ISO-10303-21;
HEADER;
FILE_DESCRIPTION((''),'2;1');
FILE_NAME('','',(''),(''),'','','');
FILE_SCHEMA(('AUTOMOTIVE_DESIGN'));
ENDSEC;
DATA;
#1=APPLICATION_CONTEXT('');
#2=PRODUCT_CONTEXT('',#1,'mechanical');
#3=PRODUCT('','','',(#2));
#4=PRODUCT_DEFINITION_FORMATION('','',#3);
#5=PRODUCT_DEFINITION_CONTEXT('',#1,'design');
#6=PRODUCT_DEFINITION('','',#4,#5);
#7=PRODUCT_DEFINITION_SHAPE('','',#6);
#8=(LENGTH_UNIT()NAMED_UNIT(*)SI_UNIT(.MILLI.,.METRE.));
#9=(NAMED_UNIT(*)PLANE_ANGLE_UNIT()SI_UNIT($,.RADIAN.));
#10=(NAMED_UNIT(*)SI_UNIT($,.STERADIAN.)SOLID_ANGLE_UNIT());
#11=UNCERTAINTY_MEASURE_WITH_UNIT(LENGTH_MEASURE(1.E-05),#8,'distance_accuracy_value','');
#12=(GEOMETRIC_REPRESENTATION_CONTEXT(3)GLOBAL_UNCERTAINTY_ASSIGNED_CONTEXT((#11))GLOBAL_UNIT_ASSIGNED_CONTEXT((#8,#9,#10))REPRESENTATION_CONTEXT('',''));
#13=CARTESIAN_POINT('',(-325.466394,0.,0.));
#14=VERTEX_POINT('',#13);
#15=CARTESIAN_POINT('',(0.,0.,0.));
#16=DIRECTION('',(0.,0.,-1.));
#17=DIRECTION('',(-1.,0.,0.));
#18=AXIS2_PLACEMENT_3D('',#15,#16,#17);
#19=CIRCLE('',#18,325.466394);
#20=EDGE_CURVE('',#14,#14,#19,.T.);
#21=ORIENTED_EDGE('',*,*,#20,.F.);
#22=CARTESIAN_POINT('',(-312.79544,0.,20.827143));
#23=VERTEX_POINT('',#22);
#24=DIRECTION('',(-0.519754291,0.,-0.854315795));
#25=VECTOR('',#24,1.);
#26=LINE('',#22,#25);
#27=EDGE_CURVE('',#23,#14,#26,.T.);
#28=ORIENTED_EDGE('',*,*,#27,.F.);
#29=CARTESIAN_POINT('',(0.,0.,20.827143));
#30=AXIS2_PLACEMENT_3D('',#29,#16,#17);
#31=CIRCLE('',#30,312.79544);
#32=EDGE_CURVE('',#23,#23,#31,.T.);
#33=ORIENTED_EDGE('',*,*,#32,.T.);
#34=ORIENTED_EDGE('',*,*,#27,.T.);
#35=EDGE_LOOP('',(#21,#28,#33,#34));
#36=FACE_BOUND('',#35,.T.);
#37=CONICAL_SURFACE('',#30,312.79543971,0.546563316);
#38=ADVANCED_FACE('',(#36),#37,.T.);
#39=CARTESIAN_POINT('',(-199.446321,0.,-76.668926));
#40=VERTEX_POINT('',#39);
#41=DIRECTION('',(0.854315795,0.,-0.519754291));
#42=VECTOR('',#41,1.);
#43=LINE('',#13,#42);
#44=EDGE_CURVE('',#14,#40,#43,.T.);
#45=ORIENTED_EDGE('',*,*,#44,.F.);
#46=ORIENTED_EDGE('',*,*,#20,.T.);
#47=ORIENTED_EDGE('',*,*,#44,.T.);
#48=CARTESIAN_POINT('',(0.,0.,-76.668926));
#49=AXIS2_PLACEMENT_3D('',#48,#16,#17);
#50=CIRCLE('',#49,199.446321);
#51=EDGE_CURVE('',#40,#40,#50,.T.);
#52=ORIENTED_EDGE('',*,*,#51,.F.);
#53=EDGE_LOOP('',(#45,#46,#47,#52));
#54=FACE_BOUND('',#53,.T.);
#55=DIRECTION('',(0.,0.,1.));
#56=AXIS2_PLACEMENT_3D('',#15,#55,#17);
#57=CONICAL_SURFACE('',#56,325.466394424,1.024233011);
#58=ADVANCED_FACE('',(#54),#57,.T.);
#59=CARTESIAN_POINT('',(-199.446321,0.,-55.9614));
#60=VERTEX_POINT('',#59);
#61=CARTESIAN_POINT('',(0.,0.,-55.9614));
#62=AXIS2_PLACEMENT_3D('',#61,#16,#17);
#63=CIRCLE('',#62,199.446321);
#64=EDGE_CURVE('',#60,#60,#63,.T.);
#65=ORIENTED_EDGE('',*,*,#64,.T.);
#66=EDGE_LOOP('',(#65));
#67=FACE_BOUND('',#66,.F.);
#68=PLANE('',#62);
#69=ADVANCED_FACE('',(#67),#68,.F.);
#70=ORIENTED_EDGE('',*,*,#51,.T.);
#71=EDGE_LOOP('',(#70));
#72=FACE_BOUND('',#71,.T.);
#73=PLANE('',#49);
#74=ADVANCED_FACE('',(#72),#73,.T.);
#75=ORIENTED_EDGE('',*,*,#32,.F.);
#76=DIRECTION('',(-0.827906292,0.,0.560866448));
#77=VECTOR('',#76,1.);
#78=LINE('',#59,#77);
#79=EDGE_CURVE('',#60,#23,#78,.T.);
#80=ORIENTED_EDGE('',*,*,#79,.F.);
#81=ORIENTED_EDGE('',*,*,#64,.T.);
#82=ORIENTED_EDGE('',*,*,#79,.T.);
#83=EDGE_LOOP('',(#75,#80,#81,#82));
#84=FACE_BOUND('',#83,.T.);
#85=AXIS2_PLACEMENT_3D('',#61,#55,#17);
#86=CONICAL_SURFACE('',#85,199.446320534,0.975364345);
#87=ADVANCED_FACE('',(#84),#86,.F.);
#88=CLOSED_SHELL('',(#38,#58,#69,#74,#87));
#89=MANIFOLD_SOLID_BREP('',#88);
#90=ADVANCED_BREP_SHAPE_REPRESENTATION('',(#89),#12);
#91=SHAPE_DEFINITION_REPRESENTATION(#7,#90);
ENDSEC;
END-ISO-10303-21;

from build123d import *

# Parameters (mm, degrees)
F0_W = 199.4463205338
F0_H = 20.7075253129


with BuildPart() as f1:
    # F0 (on Front) → F1 (revolve)
    with BuildSketch(Plane.XZ):
        with Locations((-99.7231602669, -66.3151629269)):
            Rectangle(F0_W, F0_H)
        Polygon((-199.4463205338, -76.6689255834), (-199.4463205338, -55.9614002705), (-312.79543971, 20.8271426426), (-325.4663944244, 0), align=None)
    revolve(axis=Axis((0, 0, -66.3151629269), (0, 0, -1)))


solid = f1.part
